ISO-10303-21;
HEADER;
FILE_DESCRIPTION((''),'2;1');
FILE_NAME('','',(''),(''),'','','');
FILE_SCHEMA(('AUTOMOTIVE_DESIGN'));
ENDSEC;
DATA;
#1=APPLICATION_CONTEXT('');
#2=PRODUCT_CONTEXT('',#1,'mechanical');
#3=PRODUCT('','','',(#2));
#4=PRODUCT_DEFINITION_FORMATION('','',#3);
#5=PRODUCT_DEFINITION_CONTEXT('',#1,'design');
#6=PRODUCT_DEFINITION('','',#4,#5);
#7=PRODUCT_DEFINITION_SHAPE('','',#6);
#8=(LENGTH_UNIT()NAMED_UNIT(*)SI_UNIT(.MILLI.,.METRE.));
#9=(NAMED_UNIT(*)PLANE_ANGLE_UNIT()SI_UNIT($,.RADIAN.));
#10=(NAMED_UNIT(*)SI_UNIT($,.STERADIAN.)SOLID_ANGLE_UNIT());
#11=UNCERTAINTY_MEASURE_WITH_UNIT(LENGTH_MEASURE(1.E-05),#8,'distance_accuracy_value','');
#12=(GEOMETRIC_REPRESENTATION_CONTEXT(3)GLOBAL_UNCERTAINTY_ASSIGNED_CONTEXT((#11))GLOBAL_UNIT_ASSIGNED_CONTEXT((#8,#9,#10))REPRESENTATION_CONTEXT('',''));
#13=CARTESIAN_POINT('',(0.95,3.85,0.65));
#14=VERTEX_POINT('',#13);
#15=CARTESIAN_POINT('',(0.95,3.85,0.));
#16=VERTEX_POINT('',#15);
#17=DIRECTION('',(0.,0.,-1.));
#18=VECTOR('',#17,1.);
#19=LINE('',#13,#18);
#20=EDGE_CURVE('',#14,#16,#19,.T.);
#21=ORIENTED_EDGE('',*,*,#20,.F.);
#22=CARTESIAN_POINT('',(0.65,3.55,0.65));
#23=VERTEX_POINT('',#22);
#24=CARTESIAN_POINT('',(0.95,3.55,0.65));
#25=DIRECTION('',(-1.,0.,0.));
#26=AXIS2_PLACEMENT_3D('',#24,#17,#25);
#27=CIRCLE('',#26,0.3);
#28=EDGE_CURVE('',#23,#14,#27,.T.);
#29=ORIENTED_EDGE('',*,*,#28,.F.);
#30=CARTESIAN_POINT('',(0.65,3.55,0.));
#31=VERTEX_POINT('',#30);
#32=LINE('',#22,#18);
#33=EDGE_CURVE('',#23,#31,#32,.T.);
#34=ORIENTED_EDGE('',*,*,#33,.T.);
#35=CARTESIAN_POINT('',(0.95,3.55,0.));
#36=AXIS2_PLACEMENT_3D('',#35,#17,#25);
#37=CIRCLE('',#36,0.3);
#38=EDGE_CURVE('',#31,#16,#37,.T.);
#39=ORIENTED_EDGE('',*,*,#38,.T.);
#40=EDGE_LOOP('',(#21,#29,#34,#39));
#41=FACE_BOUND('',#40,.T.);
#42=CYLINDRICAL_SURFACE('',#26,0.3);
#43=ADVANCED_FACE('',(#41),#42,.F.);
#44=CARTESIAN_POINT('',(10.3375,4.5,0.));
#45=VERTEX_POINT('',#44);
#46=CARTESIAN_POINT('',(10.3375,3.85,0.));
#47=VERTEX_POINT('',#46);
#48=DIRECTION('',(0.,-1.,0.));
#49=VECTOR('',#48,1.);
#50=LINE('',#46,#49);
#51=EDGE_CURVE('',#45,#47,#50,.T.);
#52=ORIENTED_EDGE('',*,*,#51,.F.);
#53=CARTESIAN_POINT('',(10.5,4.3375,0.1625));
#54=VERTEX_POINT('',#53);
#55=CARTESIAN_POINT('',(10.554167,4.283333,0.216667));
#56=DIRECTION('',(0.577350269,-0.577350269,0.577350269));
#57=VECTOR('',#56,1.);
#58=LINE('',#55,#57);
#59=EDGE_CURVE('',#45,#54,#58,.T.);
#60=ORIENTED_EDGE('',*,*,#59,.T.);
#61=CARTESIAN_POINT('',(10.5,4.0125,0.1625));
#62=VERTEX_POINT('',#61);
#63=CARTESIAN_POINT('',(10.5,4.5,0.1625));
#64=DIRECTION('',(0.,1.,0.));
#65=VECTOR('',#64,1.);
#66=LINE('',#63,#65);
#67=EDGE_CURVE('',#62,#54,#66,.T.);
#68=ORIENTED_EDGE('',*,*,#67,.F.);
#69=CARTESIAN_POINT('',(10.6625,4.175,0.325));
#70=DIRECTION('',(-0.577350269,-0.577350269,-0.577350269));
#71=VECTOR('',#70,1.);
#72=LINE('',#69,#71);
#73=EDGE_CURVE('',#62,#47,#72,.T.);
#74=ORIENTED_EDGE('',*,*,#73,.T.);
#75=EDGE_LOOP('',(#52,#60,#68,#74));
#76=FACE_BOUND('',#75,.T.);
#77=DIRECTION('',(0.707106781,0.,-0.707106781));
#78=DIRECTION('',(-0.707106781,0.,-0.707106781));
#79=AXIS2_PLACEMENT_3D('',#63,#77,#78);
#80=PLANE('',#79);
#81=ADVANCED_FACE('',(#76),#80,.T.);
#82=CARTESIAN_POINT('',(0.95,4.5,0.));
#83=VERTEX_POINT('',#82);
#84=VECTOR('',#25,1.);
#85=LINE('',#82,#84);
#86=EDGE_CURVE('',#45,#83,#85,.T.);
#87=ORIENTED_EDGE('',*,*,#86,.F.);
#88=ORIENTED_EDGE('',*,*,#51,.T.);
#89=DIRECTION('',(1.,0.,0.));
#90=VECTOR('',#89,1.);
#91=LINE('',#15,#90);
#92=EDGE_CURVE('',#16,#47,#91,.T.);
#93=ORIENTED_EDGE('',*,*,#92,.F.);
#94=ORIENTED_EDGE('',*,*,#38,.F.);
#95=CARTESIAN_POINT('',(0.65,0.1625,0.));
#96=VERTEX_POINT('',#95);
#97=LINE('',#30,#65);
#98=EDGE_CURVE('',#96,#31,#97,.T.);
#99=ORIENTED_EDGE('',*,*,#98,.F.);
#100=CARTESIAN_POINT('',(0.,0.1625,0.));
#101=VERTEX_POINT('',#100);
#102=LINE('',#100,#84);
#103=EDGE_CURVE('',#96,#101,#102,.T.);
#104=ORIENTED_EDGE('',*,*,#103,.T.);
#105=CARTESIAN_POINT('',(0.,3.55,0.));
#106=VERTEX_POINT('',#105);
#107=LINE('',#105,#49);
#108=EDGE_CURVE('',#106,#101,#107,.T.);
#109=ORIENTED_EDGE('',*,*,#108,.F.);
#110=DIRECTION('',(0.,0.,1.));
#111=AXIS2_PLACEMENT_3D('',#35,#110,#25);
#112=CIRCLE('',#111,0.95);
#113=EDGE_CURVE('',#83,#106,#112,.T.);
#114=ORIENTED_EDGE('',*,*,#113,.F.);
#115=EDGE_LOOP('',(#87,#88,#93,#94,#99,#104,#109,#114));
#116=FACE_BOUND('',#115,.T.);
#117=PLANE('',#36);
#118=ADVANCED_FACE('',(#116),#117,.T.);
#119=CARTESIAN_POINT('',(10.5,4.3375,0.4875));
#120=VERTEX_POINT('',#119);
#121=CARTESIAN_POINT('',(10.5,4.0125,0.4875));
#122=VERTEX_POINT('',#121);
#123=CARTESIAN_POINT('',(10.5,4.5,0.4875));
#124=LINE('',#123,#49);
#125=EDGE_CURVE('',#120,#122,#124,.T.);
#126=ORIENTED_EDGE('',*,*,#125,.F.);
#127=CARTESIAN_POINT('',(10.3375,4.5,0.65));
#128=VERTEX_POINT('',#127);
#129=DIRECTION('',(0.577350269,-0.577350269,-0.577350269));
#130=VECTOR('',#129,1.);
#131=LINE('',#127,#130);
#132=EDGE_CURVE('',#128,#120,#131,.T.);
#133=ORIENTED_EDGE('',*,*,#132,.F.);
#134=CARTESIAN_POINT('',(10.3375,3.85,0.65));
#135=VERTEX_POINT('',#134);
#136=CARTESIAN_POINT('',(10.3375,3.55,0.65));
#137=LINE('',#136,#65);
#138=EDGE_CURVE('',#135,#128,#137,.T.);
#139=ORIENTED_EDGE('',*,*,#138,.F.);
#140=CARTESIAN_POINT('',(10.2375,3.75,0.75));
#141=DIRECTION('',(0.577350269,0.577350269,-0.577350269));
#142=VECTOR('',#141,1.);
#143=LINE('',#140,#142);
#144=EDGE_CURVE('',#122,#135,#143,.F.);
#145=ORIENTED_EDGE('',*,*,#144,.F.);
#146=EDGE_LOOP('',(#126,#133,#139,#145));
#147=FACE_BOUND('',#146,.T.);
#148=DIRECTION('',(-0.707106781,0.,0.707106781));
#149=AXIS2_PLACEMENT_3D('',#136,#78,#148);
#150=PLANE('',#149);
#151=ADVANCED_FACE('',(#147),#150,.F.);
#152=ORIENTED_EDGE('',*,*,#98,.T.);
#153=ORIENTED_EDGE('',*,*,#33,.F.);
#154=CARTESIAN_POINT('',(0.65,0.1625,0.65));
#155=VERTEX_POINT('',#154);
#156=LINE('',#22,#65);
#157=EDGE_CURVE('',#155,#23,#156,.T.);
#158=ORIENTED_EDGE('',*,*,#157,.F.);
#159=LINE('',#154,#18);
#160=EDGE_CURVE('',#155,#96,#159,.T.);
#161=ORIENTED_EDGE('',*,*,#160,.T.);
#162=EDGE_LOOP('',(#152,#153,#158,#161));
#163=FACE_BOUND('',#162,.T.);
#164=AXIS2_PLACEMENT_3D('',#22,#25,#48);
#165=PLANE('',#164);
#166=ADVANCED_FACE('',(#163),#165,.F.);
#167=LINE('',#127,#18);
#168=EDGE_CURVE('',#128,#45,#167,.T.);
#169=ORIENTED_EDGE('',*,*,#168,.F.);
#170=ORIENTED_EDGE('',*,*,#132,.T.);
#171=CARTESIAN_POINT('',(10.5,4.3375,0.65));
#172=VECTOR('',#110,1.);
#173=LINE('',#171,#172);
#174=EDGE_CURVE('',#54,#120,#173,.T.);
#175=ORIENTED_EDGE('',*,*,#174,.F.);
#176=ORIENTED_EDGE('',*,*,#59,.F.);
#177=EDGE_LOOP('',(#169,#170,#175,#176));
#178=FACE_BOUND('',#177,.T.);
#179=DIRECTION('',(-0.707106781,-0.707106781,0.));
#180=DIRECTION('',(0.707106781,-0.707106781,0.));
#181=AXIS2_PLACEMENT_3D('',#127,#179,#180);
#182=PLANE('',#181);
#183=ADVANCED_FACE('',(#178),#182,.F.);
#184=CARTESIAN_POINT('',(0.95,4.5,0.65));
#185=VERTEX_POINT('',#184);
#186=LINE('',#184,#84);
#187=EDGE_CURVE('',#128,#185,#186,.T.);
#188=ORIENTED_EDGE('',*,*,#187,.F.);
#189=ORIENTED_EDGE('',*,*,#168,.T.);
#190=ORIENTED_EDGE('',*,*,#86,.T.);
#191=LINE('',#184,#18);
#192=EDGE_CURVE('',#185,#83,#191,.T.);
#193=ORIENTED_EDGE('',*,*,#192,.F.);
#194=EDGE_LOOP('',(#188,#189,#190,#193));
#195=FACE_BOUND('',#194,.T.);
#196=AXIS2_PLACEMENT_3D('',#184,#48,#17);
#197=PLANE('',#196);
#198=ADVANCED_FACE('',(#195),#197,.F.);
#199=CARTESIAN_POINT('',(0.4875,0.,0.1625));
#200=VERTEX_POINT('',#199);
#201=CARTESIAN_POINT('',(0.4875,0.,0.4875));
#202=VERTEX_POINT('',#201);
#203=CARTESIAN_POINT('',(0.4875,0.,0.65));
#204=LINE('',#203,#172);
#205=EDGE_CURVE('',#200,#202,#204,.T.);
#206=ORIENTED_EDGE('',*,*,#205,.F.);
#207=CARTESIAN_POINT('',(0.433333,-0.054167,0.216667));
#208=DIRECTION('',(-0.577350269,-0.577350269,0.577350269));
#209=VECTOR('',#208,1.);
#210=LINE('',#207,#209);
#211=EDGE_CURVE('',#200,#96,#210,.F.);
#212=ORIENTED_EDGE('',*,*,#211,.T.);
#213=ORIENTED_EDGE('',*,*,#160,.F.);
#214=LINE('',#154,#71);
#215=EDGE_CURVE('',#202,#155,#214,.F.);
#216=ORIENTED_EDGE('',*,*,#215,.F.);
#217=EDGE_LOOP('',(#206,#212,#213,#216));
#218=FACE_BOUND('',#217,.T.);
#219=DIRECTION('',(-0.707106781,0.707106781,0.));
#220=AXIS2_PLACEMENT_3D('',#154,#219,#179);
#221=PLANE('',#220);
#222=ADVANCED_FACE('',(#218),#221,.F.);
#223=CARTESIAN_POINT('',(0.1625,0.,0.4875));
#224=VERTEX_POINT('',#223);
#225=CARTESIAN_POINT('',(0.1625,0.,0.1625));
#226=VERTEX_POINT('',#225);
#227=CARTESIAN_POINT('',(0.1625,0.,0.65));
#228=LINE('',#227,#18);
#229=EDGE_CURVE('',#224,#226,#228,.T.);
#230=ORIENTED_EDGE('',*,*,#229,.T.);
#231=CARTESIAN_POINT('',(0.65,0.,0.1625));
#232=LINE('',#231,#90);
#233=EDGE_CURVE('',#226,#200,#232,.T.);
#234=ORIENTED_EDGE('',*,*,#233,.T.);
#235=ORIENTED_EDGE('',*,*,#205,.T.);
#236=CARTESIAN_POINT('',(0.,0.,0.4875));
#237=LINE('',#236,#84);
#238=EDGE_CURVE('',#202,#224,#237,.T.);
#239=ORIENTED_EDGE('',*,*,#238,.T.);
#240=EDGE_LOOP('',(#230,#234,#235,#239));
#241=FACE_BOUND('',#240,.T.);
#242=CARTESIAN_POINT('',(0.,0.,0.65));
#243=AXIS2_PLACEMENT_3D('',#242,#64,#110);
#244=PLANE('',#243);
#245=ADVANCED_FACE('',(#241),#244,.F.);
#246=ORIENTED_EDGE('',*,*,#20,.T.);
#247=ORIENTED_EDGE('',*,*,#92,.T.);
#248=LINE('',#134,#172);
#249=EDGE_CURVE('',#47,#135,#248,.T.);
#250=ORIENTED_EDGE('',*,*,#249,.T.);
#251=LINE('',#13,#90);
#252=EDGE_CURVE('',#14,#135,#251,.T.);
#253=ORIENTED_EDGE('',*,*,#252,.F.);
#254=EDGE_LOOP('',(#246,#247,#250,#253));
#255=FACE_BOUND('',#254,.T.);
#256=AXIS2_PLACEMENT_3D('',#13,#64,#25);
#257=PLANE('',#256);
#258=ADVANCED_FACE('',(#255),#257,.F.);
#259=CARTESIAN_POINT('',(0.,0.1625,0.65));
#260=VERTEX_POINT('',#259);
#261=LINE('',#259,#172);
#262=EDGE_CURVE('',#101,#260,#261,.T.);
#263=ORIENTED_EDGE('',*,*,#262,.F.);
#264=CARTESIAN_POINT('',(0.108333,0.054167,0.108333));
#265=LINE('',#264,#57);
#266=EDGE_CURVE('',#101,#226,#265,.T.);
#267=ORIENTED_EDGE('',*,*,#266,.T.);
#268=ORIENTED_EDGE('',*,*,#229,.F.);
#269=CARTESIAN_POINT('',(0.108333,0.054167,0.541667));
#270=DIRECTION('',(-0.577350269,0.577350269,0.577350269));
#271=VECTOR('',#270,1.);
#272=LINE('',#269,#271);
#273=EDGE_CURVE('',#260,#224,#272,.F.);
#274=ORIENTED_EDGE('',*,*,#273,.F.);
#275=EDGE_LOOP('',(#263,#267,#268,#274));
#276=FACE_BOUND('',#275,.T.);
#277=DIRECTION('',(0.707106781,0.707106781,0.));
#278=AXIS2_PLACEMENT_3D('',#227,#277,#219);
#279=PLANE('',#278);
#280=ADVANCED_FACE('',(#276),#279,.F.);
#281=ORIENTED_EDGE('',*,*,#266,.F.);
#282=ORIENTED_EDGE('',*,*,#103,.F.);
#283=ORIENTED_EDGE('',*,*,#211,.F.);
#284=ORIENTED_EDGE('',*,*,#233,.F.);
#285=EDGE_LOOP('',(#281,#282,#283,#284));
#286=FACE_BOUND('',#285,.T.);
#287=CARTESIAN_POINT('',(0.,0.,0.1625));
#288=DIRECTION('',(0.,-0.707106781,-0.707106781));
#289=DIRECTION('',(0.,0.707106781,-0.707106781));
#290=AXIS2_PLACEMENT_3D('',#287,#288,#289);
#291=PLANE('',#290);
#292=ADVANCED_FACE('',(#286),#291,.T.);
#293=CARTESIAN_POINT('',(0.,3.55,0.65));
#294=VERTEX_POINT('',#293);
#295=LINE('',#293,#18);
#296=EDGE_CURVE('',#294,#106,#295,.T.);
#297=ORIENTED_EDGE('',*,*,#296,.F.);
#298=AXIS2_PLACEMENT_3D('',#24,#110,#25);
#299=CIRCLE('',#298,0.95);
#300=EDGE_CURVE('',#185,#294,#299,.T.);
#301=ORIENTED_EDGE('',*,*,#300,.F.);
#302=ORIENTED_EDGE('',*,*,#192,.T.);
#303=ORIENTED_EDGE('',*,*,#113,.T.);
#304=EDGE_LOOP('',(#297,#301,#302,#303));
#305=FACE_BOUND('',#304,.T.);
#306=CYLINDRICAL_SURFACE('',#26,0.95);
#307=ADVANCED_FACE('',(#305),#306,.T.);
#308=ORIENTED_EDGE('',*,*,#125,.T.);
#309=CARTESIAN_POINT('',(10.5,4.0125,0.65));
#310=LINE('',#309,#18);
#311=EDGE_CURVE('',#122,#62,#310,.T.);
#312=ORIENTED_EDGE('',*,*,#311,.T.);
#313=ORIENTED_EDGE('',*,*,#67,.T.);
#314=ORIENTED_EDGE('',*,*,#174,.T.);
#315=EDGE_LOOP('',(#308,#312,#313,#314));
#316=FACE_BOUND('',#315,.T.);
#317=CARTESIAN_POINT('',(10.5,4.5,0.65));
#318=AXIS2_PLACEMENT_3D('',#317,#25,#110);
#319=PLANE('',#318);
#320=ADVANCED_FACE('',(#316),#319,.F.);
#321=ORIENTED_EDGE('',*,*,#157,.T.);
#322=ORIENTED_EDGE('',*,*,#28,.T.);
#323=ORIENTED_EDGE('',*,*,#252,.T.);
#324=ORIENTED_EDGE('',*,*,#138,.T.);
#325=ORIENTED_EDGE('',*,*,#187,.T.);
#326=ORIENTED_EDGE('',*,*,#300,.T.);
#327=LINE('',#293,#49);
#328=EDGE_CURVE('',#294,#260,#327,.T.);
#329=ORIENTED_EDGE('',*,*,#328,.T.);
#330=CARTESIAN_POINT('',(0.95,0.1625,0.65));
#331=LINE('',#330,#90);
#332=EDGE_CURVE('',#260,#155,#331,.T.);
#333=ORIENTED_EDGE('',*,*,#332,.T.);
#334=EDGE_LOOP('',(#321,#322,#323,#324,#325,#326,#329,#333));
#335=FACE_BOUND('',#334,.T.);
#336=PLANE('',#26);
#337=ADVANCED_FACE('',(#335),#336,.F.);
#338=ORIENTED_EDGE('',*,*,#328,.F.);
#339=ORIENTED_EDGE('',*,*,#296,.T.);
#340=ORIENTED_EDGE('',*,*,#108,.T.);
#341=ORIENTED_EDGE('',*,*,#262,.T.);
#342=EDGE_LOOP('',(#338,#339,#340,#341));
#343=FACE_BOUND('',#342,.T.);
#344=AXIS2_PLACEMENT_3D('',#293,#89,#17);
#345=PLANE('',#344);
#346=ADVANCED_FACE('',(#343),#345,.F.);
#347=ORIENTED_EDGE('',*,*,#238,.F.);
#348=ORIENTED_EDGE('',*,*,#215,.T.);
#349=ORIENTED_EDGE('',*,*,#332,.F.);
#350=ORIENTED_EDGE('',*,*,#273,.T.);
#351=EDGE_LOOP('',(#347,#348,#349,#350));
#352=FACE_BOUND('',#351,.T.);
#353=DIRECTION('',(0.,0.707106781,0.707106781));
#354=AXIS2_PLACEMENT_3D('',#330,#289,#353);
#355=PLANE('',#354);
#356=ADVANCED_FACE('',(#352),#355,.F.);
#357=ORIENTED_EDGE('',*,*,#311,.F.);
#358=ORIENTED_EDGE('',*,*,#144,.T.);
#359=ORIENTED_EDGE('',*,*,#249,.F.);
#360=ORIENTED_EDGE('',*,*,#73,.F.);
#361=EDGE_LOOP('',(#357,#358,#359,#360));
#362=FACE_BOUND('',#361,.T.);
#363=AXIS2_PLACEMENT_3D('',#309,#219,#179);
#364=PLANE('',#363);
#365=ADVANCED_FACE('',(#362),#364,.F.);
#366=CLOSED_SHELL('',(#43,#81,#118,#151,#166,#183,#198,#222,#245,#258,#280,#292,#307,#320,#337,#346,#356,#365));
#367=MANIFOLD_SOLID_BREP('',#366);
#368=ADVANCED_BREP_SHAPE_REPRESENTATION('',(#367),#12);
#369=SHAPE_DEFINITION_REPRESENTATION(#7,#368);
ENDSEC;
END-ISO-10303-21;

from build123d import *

# Parameters (mm, degrees)
BODY_DEPTH     = 0.65
CHAMFER_2_SIZE = 0.1625


with BuildPart() as part:
    # Sketch1 → Body (new body)
    with BuildSketch(Plane.XY):
        with BuildLine():
            Line((0, 3.55), (0, 0))
            Line((0, 0), (0.65, 0))
            Line((0.65, 0), (0.65, 3.55))
            ThreePointArc((0.65, 3.55), (0.737867966, 3.762132034), (0.95, 3.85))
            Line((0.95, 3.85), (10.5, 3.85))
            Line((10.5, 3.85), (10.5, 4.5))
            Line((10.5, 4.5), (0.95, 4.5))
            ThreePointArc((0.95, 4.5), (0.278248558, 4.221751442), (0, 3.55))
        make_face()
    extrude(amount=BODY_DEPTH)

    # Chamfer 2
    chamfer_2_edges = [part.edges().sort_by_distance(p)[0] for p in [
        (0, 0, 0.325),
        (0.65, 0, 0.325),
        (0.325, 0, 0),
        (0.325, 0, 0.65),
        (10.5, 3.85, 0.325),
        (10.5, 4.5, 0.325),
        (10.5, 4.175, 0),
        (10.5, 4.175, 0.65),
    ]]
    chamfer(chamfer_2_edges, length=CHAMFER_2_SIZE)


solid = part.part
